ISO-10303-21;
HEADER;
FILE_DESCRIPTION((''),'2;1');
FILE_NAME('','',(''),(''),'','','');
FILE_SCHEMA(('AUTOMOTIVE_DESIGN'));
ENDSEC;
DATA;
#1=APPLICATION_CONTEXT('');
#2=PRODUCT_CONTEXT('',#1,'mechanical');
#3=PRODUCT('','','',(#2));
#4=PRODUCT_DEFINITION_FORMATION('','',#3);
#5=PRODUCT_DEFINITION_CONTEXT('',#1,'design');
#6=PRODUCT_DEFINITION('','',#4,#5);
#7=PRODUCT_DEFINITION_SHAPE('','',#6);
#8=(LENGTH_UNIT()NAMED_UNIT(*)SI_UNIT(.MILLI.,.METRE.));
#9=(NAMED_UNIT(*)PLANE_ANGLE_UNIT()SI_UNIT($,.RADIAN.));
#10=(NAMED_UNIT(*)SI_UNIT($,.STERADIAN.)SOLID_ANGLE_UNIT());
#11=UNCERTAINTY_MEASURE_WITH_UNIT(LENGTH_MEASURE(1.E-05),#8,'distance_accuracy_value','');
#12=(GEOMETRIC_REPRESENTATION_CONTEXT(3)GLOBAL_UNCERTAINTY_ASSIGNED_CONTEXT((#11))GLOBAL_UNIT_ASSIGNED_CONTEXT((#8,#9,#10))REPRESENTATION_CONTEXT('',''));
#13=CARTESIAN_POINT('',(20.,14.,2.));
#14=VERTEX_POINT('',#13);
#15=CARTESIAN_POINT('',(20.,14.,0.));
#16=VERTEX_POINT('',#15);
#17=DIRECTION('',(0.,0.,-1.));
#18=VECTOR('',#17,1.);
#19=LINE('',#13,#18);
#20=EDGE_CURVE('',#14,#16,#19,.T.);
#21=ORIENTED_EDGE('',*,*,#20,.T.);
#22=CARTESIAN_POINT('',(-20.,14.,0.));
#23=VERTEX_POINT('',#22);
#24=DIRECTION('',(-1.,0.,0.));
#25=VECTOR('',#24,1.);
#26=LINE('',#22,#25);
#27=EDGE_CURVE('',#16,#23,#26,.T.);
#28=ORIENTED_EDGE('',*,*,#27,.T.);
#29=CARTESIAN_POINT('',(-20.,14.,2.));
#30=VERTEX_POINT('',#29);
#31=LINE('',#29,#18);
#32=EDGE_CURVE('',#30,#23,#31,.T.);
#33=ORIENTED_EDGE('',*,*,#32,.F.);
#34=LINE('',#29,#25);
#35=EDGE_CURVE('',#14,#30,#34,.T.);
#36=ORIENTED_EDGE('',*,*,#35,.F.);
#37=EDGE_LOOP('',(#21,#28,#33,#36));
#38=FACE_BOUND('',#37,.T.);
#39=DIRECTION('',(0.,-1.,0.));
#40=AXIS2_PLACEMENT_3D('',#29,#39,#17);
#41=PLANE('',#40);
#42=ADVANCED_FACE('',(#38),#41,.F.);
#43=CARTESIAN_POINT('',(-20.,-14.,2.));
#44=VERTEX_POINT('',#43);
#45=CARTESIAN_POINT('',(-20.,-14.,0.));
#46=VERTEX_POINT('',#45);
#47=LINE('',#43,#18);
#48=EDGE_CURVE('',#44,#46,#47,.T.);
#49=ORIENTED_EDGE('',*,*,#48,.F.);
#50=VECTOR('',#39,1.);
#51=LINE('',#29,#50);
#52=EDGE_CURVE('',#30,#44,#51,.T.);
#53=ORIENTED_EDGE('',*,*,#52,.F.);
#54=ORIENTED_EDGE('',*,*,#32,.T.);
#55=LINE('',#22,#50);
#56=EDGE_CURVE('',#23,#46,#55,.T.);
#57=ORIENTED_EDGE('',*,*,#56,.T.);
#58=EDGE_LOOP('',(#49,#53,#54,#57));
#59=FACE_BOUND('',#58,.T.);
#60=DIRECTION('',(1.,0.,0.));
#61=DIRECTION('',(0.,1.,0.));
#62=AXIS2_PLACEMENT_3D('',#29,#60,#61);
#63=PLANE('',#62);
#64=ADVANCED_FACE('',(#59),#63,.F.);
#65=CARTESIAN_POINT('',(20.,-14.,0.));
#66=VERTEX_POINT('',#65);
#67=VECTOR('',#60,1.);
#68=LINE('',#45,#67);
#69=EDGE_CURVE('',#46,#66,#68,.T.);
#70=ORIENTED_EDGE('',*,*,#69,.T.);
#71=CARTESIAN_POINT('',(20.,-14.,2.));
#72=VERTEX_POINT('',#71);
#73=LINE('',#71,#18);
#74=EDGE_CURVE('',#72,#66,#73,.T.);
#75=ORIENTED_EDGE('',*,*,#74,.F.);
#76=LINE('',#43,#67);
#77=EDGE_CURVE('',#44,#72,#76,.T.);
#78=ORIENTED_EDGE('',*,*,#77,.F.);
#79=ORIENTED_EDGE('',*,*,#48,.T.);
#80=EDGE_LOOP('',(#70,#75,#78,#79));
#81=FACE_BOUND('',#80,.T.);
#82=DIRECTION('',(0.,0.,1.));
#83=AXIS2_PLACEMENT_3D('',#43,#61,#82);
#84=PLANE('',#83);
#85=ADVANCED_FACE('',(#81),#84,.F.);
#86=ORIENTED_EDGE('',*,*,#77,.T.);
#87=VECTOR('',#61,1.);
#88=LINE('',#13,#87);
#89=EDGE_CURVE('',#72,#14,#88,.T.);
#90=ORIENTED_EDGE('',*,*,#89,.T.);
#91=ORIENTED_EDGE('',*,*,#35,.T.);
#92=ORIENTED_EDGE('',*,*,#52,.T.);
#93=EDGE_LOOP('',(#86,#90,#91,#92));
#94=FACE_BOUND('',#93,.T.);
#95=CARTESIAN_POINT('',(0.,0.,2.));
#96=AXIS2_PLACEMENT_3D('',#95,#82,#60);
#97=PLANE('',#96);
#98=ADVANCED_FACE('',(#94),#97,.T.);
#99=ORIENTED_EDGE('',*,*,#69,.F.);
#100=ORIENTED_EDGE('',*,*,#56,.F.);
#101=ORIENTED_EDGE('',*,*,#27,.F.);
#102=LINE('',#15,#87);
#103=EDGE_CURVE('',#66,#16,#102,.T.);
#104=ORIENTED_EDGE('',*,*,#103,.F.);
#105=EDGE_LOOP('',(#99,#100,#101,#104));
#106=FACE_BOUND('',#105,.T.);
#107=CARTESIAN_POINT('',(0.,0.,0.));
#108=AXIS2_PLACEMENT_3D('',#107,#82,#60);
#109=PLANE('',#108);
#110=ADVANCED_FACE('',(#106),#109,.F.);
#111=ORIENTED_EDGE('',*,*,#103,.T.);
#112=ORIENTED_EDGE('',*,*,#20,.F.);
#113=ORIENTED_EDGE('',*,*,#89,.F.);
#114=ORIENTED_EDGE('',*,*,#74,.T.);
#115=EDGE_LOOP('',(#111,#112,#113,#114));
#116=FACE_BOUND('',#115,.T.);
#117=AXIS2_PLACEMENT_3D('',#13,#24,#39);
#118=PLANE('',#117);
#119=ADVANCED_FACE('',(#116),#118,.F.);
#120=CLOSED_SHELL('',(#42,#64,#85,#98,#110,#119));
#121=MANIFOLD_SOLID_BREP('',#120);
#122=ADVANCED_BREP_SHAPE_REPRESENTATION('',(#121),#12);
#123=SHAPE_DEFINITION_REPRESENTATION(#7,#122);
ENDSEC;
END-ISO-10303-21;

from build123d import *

# Parameters (mm, degrees)
ESQUISSE1_W        = 40
ESQUISSE1_H        = 28
BOSS_EXTRU_1_DEPTH = 2


with BuildPart() as part:
    # Esquisse1 → Boss.-Extru.1 (new body)
    with BuildSketch(Plane.XY):
        Rectangle(ESQUISSE1_W, ESQUISSE1_H)
    extrude(amount=BOSS_EXTRU_1_DEPTH)


solid = part.part
